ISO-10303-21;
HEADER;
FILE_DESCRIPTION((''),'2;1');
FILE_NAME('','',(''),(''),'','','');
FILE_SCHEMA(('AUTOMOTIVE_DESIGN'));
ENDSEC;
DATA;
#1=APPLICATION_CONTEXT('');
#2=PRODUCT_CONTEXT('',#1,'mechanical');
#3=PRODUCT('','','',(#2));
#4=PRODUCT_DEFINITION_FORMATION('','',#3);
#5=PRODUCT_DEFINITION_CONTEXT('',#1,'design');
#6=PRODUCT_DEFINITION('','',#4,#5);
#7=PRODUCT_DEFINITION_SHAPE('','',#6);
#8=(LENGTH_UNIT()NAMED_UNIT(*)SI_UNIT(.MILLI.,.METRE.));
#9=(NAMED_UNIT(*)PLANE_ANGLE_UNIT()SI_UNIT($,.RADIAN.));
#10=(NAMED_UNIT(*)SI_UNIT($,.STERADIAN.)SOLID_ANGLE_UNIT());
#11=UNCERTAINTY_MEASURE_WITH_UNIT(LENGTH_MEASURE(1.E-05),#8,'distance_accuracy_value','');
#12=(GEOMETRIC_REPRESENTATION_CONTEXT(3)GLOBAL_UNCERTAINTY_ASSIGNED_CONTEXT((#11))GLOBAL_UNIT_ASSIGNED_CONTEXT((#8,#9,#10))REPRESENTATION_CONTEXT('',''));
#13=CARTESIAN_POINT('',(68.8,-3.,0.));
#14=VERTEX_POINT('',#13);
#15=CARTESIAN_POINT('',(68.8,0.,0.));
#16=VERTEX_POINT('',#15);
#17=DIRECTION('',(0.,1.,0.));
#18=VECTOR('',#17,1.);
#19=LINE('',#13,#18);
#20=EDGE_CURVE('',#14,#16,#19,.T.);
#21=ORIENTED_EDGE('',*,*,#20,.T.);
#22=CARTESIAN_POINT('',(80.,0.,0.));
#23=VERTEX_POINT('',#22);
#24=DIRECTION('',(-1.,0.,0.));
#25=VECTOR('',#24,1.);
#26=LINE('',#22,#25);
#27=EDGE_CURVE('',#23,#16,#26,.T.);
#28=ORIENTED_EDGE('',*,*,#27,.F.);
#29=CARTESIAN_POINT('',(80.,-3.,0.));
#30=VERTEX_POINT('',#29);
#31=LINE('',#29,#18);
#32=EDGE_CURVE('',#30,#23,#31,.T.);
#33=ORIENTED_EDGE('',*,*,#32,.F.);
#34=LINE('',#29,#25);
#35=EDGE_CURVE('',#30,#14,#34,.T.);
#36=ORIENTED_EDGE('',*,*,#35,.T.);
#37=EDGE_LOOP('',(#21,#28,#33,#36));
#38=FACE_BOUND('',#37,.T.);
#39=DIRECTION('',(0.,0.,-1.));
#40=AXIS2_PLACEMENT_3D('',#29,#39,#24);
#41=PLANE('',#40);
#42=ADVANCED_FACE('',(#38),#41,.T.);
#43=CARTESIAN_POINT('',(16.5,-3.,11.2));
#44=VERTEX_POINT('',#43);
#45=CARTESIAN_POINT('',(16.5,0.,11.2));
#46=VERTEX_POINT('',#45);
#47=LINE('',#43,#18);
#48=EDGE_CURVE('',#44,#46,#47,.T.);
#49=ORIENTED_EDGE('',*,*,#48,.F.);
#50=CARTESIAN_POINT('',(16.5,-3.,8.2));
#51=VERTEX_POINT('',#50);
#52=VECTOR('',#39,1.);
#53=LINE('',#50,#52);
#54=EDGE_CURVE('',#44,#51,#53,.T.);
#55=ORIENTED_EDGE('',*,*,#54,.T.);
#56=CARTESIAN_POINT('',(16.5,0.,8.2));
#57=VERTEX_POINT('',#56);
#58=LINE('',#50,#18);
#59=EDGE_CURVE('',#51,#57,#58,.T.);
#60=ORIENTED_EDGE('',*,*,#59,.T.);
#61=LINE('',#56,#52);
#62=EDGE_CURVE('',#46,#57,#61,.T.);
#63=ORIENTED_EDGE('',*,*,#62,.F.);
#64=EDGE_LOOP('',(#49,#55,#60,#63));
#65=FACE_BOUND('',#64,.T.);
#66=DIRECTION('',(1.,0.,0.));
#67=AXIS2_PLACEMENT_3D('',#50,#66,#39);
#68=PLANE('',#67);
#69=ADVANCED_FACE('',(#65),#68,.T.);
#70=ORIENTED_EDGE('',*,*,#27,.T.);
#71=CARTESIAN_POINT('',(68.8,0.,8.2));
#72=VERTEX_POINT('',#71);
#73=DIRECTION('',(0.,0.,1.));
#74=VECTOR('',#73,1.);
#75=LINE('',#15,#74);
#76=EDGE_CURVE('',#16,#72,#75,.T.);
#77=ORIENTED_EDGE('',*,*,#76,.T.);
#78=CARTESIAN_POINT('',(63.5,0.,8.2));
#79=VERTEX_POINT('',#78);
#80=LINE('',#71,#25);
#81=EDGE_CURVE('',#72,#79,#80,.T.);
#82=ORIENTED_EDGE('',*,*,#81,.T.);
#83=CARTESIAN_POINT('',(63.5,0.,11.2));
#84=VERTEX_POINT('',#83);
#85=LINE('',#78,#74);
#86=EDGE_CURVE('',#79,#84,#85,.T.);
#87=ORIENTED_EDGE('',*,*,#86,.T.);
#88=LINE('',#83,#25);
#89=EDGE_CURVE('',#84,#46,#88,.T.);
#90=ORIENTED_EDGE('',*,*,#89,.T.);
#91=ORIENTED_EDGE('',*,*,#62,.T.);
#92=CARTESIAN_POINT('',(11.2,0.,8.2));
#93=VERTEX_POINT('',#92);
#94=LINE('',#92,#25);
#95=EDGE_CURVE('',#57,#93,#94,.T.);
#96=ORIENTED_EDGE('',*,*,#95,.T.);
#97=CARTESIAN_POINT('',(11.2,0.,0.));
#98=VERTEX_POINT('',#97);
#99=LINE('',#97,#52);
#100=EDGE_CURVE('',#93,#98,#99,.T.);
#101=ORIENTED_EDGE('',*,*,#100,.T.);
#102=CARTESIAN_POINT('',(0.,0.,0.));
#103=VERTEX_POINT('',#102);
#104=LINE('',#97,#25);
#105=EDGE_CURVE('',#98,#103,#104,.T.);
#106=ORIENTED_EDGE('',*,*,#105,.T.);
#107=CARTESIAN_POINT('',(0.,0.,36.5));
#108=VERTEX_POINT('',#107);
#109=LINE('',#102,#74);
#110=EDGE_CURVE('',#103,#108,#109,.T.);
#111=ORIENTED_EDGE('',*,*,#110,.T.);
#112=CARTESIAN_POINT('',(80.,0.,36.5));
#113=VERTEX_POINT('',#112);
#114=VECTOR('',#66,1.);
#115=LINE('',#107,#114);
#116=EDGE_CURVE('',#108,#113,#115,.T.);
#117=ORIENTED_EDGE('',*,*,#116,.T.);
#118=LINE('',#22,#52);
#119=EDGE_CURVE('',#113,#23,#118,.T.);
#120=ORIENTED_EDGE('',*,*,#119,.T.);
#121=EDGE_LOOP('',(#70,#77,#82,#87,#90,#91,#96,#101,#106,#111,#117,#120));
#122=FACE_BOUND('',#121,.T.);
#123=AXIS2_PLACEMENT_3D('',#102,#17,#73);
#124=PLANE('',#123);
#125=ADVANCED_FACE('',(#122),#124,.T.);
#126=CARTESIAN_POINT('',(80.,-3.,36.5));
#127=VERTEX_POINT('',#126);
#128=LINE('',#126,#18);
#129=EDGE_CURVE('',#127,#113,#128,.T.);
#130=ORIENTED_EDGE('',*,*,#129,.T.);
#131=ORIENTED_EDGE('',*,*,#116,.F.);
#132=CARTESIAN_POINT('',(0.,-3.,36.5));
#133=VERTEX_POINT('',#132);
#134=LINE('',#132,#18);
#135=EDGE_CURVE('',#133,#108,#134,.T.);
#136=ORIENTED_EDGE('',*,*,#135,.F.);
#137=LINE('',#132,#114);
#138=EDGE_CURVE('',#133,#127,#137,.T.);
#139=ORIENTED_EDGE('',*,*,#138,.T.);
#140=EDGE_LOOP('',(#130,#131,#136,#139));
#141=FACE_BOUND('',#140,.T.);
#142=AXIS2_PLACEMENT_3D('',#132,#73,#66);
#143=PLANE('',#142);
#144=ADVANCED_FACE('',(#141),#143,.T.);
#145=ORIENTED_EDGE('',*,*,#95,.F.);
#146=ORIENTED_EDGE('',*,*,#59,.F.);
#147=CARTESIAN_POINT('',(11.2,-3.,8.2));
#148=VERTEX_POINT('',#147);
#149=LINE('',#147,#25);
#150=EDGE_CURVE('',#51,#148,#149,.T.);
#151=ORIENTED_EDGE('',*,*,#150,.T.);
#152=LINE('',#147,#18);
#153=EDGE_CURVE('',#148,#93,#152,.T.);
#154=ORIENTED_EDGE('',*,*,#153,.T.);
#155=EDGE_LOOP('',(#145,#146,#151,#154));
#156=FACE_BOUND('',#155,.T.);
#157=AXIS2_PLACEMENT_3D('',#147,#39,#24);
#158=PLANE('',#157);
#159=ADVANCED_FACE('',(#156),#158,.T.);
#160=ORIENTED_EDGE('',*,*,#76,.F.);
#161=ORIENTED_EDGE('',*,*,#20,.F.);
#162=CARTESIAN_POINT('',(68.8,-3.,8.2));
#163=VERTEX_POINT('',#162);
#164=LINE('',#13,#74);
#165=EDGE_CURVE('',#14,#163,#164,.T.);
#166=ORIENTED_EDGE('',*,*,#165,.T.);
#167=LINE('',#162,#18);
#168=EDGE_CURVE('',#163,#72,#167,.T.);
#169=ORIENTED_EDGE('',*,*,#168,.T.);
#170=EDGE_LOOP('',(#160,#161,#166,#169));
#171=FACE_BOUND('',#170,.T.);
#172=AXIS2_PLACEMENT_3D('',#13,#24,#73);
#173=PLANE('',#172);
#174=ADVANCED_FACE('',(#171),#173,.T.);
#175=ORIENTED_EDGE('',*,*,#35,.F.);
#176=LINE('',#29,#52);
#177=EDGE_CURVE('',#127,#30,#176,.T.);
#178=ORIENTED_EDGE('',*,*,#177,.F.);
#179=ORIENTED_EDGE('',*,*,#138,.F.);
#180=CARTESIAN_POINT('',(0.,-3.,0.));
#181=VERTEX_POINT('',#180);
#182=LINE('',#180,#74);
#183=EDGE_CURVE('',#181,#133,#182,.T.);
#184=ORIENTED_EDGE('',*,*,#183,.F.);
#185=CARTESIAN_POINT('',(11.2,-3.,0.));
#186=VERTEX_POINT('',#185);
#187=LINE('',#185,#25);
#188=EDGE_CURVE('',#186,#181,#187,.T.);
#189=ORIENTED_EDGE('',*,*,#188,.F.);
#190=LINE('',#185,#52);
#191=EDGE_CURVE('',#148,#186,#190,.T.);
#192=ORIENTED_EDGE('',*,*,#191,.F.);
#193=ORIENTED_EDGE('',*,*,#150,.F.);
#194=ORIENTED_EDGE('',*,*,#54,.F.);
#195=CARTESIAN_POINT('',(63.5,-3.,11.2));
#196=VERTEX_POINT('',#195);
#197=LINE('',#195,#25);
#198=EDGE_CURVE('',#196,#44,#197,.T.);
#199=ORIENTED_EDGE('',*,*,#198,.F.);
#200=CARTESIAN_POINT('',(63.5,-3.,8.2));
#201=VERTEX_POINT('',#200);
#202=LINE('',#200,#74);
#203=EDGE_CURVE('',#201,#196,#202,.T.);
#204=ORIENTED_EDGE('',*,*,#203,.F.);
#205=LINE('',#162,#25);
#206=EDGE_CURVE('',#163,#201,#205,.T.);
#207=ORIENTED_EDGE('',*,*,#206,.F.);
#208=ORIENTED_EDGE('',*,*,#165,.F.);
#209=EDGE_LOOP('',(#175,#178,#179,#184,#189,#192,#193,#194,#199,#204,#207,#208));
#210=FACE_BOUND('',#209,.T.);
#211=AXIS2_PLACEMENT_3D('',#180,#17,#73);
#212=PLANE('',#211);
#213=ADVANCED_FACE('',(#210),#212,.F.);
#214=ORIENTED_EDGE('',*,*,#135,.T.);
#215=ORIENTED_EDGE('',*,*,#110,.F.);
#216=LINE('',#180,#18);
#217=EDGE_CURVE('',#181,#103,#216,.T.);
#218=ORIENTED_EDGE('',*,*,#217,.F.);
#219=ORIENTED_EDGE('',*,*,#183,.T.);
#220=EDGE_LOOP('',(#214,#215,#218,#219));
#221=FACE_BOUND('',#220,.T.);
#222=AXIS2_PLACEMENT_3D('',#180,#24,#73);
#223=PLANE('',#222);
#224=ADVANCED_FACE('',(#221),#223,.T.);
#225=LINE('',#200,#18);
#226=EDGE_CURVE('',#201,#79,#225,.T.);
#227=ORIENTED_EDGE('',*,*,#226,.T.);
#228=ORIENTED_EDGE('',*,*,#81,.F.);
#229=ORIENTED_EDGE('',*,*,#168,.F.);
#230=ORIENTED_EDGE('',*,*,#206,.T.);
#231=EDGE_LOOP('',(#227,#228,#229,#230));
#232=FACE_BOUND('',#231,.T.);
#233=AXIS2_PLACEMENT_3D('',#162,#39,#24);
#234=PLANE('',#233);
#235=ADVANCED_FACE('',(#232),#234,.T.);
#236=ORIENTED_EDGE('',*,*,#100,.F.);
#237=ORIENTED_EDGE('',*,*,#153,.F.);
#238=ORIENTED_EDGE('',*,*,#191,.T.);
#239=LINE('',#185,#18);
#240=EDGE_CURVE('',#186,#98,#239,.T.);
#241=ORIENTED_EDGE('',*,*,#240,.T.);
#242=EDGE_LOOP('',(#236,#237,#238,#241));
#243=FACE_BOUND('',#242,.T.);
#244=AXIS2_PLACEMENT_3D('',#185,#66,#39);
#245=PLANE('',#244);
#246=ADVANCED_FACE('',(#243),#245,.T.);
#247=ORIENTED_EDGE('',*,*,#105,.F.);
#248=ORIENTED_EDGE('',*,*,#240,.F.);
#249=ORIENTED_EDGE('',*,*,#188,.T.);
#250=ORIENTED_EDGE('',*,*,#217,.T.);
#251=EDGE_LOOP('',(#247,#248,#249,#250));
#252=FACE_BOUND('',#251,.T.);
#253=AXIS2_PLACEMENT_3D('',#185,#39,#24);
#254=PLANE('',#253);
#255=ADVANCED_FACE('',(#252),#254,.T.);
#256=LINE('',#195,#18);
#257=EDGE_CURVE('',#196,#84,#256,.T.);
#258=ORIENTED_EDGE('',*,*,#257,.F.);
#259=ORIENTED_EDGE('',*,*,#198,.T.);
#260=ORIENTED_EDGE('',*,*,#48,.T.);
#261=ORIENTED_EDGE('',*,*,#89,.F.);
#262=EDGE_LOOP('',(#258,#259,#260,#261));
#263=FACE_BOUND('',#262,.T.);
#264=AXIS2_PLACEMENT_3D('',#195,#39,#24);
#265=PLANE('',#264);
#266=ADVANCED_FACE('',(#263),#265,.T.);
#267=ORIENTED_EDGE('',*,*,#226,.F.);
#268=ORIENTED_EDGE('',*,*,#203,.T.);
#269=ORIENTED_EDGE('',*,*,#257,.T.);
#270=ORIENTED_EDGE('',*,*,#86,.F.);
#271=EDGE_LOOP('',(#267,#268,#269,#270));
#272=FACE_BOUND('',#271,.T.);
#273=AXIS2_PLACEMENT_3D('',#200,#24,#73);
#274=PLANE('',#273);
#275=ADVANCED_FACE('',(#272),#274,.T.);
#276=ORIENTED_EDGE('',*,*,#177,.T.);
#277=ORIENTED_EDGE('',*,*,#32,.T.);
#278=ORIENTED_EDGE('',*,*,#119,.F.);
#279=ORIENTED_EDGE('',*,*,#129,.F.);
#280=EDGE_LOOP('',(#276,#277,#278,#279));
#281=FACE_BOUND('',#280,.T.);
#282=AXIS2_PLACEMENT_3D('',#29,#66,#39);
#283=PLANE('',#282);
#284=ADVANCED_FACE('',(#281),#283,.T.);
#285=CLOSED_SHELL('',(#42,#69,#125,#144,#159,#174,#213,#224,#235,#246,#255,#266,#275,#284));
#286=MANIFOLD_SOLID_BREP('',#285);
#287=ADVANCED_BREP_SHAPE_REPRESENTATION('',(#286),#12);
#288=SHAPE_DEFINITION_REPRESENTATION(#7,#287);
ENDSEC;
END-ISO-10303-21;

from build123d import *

# Parameters (mm, degrees)
BOSS_EXTRUDE1_DEPTH = 3


with BuildPart() as part:
    # Sketch1 → Boss-Extrude1 (new body)
    with BuildSketch(Plane(origin=(0, 0, 0), x_dir=(1, 0, 0), z_dir=(0, 1, 0))):
        Polygon((0, 0), (0, -36.5), (80, -36.5), (80, 0), (68.8, 0), (68.8, -8.2), (63.5, -8.2), (63.5, -11.2), (16.5, -11.2), (16.5, -8.2), (11.2, -8.2), (11.2, 0), align=None)
    extrude(amount=-BOSS_EXTRUDE1_DEPTH)


solid = part.part
